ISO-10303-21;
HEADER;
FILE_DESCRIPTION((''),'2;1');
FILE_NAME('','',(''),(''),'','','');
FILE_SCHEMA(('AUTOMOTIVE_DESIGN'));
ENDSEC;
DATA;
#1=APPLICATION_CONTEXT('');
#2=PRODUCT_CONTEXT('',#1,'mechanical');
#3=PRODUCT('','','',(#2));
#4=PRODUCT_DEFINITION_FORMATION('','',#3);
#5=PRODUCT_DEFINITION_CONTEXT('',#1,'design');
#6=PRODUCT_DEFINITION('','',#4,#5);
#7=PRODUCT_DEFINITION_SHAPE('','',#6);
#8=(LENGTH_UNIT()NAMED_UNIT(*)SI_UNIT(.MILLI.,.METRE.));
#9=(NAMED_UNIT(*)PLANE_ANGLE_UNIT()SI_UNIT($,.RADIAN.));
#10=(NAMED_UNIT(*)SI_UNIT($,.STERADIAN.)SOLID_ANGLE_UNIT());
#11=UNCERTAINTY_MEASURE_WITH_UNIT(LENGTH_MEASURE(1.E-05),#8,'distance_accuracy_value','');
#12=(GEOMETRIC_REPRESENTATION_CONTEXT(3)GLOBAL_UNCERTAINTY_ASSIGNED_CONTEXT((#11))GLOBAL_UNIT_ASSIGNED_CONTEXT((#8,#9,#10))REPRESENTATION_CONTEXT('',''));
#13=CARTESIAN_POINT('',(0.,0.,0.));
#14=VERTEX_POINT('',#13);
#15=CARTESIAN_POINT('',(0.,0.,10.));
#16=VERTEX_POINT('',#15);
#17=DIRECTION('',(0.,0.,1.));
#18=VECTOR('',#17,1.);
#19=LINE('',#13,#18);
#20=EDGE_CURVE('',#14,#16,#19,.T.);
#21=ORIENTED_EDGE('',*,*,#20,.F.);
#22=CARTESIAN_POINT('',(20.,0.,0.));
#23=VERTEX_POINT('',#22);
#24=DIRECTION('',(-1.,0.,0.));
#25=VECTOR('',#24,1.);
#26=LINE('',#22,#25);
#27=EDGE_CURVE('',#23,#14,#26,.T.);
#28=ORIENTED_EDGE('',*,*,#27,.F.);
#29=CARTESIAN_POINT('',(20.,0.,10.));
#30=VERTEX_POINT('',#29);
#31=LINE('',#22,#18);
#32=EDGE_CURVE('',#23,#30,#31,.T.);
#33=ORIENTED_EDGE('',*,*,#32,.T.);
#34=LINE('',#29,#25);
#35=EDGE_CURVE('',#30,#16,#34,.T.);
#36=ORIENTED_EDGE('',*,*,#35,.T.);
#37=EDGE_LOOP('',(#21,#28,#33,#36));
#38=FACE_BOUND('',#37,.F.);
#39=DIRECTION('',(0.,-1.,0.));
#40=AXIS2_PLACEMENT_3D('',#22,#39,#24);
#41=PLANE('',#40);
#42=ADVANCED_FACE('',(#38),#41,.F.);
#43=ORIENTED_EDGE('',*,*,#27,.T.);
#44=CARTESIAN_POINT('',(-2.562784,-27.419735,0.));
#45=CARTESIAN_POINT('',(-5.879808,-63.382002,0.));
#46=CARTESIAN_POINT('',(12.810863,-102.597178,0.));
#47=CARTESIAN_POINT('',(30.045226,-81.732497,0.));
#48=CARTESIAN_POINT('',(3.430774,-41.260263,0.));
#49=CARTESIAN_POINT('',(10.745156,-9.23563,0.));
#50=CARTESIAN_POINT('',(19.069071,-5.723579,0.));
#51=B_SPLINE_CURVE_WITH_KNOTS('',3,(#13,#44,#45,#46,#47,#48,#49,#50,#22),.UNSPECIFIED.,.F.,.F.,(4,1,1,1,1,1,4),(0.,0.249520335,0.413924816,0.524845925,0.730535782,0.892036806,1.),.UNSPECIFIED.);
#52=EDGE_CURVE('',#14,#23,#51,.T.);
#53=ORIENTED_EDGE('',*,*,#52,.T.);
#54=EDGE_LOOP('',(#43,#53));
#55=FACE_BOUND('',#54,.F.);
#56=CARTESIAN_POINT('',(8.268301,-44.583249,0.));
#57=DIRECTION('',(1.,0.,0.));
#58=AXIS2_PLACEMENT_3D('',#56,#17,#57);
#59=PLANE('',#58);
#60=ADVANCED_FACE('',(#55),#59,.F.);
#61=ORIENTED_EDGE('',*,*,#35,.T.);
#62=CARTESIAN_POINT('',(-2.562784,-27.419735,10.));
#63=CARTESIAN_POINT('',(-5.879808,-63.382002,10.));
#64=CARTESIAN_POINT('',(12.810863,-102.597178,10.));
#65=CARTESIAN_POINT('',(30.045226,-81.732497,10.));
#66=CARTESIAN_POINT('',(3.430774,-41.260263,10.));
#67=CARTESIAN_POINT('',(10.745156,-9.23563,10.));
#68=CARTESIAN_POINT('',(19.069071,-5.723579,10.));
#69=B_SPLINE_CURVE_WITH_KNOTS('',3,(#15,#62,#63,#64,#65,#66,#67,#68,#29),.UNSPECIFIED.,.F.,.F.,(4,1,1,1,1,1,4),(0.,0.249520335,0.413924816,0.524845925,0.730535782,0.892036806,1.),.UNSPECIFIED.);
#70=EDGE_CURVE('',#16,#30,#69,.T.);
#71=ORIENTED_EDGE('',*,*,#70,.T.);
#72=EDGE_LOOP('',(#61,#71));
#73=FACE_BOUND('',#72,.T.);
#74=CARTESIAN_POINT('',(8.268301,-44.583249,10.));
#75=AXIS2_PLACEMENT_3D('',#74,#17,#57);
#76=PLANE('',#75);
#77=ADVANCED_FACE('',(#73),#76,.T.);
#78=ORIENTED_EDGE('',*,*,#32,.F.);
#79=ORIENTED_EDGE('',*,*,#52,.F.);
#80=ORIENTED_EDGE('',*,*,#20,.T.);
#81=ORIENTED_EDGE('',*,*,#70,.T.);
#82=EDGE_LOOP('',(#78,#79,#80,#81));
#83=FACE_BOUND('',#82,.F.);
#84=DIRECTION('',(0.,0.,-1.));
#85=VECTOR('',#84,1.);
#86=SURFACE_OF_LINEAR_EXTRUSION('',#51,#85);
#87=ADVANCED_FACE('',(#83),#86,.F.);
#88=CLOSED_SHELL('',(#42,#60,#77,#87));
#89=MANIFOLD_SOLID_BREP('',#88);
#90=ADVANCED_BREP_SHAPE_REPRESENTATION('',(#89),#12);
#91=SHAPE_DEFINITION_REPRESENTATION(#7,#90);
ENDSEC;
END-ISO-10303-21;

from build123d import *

# Parameters (mm, degrees)
F1_DEPTH = 10


with BuildPart() as f1:
    # F0 (on Top) → F1 (new body)
    with BuildSketch(Plane.XY):
        with BuildLine():
            Line((20, 0), (0, 0))
            add(Edge.make_bspline(
                [(0, 0), (-2.5627839239, -27.4197345015), (-5.8798079081, -63.3820015467), (12.810862864, -102.5971782972), (30.0452259542, -81.7324974706), (3.4307744089, -41.2602634109), (10.7451562075, -9.2356297228), (19.0690711394, -5.7235789832), (20, 0)],
                knots=[0, 0, 0, 0, 0.2495203353, 0.4139248159, 0.5248459247, 0.7305357823, 0.8920368063, 1, 1, 1, 1], degree=3))
        make_face()
    extrude(amount=F1_DEPTH)


solid = f1.part
